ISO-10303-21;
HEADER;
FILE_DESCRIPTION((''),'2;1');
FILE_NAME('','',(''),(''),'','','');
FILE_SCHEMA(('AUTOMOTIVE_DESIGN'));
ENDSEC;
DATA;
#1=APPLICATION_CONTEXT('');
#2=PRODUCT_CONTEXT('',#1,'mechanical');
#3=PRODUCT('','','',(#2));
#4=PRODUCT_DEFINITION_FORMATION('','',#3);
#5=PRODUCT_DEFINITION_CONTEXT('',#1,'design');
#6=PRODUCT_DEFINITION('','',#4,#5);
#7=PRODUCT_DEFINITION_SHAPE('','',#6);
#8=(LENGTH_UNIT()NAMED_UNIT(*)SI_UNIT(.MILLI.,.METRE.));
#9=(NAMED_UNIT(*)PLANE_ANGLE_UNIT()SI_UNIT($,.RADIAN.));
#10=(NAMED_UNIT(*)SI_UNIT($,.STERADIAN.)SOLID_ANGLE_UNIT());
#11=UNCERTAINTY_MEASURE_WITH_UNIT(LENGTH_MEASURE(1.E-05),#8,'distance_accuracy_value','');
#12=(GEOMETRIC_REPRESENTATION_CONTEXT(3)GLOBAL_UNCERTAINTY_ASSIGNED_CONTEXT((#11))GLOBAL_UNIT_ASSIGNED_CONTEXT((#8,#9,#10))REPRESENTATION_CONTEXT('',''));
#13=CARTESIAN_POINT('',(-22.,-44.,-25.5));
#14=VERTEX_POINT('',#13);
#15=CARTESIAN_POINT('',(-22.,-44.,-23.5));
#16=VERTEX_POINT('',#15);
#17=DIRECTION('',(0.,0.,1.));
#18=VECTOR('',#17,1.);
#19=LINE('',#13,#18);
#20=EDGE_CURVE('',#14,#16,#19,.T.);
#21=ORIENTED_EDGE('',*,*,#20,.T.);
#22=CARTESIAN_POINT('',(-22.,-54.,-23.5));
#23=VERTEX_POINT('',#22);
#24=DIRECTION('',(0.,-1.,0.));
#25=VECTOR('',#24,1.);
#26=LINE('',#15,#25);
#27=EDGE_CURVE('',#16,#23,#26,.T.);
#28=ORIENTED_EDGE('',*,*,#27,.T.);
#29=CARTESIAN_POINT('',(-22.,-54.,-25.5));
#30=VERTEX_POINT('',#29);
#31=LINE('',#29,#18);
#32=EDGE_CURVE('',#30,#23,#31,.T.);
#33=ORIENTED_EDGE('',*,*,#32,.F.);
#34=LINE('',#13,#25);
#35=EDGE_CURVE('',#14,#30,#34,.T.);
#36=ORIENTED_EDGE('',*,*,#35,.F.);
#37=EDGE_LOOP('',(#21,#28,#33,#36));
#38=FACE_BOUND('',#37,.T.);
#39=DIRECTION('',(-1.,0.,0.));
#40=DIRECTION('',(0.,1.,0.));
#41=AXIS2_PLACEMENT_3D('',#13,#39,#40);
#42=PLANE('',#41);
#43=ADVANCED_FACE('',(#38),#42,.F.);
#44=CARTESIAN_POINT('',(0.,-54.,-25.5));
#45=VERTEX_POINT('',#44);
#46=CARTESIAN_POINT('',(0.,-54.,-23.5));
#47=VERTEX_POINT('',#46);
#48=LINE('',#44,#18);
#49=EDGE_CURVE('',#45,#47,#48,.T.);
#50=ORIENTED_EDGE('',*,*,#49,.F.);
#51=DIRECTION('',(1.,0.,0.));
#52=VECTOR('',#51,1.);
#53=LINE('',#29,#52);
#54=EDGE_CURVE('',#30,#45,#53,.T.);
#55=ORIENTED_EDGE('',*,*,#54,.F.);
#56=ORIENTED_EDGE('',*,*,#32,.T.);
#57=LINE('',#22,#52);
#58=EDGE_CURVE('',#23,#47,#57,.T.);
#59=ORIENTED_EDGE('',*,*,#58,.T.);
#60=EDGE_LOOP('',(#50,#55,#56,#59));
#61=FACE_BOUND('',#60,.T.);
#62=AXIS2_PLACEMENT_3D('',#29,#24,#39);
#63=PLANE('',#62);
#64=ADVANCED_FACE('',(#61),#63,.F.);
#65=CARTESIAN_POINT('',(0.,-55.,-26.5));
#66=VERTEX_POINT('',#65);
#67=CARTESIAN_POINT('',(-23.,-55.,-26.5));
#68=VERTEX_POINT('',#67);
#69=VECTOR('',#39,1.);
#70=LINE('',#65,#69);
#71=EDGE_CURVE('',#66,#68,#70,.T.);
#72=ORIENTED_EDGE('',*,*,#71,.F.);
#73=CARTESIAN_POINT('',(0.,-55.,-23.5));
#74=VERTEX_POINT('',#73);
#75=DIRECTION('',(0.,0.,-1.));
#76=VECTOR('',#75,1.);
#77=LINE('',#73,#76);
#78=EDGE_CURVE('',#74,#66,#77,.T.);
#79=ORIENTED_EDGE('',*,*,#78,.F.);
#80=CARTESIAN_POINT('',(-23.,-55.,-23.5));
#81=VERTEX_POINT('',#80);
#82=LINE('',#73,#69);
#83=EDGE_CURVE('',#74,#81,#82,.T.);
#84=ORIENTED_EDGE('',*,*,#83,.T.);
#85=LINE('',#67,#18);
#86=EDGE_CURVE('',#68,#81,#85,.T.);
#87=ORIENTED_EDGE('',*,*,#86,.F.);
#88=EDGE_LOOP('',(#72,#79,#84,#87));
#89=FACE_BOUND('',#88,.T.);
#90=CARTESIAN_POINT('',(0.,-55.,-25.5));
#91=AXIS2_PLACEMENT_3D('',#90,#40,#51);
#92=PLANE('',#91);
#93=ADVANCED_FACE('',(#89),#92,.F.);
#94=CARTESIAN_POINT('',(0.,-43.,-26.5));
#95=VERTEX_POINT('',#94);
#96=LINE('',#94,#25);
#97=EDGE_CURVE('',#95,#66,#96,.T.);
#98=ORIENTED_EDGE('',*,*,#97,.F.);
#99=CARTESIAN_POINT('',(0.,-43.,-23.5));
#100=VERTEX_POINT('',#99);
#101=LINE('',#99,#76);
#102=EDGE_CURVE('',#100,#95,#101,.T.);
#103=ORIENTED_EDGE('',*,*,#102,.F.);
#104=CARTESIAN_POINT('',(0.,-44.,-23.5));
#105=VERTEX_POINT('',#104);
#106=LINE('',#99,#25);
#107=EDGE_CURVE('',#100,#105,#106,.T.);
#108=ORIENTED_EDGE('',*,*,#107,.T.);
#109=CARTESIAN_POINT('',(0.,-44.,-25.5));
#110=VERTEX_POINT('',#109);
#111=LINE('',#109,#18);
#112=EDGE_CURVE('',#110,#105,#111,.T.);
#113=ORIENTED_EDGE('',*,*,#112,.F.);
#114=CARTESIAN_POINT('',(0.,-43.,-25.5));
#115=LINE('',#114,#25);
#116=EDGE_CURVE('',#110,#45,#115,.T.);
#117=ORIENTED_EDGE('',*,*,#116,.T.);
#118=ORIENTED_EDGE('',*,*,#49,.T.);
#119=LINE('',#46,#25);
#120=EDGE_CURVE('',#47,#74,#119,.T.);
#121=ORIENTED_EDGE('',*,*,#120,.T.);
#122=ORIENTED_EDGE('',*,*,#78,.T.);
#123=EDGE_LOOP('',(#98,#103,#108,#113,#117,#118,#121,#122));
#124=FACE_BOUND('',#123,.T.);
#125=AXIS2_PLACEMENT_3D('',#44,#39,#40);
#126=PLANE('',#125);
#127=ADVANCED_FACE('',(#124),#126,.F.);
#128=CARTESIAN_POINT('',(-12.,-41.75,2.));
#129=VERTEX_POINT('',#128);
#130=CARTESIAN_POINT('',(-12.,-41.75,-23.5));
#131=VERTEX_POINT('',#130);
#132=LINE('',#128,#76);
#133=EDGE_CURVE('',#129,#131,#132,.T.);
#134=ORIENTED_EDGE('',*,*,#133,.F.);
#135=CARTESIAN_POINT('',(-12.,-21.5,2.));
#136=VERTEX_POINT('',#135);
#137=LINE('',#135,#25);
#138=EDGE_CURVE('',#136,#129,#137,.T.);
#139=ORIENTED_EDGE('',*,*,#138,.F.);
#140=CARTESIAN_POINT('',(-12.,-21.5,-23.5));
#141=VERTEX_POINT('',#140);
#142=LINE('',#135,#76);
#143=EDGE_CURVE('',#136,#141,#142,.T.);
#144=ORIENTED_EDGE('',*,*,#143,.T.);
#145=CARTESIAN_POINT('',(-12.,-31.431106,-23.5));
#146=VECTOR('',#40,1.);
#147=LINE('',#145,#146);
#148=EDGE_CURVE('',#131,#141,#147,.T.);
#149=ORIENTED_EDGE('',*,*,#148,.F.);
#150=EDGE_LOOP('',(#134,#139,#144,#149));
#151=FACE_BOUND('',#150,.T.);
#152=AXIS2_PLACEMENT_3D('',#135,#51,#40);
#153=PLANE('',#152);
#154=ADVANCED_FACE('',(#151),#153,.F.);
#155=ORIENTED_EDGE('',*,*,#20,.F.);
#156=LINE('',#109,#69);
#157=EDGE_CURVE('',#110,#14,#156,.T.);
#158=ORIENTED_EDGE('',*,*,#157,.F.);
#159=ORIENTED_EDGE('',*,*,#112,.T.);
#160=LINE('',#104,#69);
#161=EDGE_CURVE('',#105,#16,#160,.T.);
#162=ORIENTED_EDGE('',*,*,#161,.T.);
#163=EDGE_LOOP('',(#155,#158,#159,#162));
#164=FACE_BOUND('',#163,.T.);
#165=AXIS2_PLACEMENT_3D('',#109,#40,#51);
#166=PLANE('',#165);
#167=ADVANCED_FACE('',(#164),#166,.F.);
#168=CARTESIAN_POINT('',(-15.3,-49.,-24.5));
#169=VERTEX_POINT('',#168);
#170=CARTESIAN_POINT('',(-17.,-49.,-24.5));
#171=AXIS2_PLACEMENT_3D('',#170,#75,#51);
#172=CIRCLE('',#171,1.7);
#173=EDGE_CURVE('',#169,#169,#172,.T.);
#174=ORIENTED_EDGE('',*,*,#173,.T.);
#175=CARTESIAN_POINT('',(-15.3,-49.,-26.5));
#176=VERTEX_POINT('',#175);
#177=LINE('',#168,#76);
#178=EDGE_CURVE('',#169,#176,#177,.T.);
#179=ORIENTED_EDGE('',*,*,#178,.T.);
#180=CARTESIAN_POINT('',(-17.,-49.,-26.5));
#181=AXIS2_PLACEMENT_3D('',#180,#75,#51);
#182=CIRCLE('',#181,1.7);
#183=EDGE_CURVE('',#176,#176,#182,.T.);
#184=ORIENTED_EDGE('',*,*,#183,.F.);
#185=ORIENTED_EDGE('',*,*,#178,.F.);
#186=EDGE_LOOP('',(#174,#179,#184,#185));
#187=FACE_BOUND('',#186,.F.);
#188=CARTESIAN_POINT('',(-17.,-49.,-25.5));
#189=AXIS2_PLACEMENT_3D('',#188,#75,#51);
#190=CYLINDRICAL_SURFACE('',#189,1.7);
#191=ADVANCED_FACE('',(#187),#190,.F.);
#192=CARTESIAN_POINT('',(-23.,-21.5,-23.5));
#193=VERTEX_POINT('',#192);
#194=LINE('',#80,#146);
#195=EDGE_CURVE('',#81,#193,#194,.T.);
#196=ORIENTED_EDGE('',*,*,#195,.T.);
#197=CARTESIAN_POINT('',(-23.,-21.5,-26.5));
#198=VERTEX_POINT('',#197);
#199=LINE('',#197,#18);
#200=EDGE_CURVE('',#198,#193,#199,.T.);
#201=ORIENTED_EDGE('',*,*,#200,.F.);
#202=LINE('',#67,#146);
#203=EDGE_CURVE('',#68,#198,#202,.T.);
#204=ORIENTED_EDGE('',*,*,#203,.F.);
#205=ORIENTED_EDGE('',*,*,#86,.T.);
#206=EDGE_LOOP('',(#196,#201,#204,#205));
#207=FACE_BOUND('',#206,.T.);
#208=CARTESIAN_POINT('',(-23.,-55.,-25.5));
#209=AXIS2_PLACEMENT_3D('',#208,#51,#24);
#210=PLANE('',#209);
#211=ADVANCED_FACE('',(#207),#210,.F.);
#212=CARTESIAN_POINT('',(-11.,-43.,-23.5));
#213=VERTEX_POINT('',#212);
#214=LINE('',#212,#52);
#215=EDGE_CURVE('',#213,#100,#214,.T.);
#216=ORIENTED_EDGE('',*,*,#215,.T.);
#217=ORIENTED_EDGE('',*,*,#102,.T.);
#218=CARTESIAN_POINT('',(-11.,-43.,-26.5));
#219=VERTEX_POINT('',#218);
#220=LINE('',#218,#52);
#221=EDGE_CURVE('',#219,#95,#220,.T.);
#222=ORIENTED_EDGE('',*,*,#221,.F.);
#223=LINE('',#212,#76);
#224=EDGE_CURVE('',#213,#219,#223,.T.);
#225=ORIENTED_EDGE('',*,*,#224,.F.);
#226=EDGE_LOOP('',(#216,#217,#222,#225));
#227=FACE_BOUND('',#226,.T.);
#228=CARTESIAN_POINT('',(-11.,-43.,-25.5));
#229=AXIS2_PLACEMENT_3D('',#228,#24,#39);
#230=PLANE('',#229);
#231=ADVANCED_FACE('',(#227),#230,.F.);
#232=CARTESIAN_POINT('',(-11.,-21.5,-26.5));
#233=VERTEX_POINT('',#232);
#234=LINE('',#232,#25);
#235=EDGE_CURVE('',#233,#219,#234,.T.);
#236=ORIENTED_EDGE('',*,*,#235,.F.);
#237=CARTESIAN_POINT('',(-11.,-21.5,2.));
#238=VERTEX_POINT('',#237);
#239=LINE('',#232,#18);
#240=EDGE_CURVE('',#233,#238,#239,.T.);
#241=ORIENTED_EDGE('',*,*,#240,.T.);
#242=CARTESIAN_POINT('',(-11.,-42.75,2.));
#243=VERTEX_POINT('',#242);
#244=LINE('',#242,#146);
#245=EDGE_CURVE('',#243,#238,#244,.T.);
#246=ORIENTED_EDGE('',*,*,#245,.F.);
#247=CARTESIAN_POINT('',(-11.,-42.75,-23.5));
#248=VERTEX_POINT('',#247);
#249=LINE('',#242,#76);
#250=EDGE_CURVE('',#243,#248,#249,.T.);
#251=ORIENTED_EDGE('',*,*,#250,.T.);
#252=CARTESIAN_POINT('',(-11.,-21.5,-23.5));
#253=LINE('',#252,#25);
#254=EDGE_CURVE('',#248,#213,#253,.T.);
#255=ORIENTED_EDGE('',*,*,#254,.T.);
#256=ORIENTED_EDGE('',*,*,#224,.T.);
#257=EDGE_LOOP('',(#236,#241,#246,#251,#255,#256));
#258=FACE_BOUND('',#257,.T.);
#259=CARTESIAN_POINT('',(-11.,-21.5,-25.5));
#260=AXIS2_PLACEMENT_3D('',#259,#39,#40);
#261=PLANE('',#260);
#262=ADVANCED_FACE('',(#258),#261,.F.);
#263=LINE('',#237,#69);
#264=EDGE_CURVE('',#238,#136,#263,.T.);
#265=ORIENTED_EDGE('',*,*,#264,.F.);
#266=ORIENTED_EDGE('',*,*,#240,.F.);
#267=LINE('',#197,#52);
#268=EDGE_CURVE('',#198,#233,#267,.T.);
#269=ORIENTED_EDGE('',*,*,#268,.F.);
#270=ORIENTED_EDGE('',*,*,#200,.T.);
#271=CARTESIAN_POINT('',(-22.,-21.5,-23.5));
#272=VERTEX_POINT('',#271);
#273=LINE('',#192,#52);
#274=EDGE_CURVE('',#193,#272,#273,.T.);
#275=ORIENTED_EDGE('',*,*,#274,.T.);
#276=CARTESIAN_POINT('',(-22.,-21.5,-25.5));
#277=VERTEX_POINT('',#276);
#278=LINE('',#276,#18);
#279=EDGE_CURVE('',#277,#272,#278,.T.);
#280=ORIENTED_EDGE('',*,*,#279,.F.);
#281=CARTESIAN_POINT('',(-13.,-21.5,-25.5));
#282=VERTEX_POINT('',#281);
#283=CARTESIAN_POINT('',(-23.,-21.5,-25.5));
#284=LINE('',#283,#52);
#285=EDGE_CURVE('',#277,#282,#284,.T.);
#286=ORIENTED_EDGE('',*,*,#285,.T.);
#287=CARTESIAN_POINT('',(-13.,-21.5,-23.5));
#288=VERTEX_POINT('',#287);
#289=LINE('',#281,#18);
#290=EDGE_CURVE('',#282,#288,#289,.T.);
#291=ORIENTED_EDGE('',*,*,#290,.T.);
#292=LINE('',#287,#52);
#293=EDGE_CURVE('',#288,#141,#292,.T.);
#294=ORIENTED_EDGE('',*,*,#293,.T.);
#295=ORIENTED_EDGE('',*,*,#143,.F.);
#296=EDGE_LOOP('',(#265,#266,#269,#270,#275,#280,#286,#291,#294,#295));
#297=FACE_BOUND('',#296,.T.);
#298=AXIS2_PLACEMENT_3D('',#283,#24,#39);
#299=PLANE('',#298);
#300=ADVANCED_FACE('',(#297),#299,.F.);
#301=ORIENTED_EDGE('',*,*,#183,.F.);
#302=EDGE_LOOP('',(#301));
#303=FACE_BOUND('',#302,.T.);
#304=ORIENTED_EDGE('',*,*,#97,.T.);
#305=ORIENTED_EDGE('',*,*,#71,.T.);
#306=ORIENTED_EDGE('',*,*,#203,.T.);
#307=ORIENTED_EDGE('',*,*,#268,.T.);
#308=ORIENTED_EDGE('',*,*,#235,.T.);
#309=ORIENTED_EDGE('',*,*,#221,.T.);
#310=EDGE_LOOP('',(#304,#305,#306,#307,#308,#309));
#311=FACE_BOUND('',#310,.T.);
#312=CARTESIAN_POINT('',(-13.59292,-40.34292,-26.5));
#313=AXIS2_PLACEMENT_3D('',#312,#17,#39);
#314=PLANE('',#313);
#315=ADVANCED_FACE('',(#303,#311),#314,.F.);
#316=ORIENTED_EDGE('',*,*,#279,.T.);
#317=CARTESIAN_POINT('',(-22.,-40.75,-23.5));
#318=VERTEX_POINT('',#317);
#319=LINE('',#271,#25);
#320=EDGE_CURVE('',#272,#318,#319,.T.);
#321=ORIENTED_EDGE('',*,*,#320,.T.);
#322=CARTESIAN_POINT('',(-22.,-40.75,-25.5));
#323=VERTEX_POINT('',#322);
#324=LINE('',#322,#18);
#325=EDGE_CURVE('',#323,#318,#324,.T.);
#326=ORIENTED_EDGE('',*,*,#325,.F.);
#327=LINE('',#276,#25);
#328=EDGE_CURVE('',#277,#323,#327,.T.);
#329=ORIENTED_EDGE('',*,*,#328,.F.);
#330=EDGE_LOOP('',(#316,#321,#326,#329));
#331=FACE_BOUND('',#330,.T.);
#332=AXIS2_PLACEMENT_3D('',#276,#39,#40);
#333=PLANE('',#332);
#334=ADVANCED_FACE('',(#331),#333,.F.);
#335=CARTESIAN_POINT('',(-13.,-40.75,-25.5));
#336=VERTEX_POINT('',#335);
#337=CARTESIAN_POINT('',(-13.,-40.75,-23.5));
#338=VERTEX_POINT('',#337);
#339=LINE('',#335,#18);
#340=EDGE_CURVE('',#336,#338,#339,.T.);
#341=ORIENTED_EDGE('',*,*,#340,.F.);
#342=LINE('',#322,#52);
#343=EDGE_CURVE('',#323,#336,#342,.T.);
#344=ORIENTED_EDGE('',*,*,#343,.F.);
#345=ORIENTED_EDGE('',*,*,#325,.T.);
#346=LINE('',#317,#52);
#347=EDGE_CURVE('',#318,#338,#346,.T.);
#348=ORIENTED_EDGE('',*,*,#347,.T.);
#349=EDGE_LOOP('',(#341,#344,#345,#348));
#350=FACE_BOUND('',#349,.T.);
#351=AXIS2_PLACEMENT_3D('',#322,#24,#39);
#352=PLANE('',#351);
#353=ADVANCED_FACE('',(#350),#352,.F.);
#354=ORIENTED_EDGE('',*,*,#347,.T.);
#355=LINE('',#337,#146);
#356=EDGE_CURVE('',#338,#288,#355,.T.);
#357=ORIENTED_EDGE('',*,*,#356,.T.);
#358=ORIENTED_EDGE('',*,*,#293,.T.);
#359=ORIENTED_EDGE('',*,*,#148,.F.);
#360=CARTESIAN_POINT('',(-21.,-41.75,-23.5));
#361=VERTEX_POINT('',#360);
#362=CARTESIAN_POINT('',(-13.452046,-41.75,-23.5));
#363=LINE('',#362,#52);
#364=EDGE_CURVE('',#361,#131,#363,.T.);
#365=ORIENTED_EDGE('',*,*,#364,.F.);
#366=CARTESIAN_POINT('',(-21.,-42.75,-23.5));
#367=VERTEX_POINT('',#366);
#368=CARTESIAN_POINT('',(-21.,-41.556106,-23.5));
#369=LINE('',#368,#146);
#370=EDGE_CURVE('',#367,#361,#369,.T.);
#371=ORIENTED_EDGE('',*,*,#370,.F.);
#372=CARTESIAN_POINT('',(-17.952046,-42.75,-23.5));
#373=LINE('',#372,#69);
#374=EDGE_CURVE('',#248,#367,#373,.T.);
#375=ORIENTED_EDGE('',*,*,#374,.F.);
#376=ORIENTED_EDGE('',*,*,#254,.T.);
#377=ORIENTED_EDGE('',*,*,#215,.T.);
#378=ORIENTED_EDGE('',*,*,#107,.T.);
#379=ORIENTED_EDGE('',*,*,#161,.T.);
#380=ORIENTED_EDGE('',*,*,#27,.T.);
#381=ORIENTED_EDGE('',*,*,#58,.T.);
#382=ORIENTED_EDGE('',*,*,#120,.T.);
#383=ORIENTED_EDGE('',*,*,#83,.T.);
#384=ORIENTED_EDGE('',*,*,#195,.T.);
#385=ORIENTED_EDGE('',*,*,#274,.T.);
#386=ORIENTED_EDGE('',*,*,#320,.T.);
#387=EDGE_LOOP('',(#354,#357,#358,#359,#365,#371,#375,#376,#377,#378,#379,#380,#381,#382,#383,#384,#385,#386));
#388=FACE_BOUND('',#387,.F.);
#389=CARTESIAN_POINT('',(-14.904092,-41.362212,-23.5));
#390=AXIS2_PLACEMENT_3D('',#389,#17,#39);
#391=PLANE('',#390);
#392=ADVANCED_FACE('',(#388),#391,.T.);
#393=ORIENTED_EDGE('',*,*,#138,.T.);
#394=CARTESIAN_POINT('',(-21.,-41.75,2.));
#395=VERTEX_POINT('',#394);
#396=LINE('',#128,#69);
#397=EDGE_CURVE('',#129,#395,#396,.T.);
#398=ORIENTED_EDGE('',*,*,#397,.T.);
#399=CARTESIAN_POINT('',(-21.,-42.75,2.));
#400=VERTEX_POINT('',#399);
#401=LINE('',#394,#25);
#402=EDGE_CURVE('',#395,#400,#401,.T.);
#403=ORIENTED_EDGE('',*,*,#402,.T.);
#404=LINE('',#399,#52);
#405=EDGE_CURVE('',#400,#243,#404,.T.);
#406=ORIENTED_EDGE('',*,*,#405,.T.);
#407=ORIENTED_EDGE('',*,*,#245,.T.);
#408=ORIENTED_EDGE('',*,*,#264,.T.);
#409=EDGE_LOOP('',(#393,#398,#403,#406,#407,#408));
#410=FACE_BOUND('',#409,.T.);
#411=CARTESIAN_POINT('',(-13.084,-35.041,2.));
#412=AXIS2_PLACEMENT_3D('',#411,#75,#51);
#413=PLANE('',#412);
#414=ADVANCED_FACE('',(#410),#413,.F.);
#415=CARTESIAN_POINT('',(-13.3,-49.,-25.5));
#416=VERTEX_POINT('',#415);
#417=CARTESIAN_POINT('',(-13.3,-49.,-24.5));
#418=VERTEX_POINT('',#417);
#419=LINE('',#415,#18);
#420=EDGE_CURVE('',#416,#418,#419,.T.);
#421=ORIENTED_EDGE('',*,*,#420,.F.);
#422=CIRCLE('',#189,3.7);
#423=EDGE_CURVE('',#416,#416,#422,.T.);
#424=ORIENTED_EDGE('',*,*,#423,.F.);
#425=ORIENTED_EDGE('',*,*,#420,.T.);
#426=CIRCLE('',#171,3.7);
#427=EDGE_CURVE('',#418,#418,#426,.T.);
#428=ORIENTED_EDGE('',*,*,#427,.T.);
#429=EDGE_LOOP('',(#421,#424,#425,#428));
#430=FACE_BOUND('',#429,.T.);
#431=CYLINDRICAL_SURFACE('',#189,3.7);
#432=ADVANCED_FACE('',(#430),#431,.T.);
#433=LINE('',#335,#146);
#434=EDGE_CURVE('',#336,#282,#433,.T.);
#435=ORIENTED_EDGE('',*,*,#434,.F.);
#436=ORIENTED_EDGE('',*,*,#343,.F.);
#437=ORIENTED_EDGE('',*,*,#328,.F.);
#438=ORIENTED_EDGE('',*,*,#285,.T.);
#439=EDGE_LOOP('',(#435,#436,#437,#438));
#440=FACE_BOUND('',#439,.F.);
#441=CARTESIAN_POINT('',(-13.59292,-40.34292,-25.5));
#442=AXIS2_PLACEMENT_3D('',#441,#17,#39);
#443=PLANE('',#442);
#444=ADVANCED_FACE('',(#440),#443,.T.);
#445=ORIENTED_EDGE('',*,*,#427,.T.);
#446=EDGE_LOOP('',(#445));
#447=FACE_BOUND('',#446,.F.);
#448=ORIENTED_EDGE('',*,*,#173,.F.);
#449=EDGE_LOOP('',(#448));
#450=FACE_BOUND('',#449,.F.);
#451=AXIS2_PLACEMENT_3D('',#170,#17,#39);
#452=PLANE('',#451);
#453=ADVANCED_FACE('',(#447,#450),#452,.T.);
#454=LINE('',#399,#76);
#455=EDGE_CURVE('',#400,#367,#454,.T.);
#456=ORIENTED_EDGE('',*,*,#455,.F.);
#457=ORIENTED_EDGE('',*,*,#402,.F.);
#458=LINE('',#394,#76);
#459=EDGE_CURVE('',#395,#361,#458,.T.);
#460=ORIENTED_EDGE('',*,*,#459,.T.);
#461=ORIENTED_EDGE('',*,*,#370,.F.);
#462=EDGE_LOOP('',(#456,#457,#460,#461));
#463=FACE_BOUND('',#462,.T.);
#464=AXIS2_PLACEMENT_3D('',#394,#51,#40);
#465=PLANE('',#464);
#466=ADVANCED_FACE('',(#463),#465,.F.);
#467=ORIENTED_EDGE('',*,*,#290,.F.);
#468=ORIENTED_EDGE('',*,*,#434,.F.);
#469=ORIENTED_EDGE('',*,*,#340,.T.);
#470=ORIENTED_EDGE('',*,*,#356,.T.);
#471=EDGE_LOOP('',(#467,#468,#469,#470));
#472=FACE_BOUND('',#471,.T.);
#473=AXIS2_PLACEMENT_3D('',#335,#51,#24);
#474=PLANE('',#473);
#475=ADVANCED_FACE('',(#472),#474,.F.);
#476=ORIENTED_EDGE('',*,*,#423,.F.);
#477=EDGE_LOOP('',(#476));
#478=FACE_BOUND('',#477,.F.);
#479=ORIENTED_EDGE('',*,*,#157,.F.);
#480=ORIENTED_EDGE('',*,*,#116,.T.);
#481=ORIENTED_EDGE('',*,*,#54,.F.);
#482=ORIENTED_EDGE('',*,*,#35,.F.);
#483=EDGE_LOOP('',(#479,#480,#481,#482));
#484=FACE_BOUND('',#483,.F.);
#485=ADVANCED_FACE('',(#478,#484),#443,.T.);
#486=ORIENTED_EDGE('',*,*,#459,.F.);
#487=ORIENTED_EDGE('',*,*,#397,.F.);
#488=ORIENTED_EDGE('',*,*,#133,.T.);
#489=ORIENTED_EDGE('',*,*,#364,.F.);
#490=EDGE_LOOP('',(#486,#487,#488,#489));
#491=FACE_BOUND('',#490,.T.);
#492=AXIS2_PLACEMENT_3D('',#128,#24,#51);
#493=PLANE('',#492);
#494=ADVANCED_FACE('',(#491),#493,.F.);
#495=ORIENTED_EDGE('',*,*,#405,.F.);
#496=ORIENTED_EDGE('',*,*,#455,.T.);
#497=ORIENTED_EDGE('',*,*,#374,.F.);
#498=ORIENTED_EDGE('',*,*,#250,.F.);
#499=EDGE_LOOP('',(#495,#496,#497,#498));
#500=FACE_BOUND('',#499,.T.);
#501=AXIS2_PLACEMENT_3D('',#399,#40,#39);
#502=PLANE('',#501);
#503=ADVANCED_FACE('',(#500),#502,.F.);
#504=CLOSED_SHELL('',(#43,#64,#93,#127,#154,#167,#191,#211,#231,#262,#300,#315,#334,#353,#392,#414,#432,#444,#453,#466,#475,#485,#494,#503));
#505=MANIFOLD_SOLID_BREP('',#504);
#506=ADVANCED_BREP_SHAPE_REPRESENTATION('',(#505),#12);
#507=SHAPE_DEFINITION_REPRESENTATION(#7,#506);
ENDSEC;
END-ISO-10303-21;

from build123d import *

# Parameters (mm, degrees)
SKETCH006_R      = 1.7
EXTRUDE004_DEPTH = 1
EXTRUDE005_DEPTH = 2
SKETCH017_R      = 3.7
SKETCH017_R_2    = 1.7
EXTRUDE014_DEPTH = 1
EXTRUDE003_DEPTH = 27.5


with BuildPart() as extrude004:
    # Sketch006 → Extrude004 (new body)
    with BuildSketch(Plane.XY.offset(10)):
        Polygon((-11, 0), (0, 0), (0, 12), (-23, 12), (-23, -21.5), (-11, -21.5), align=None)
        with Locations((-17, 6)):
            Circle(SKETCH006_R, mode=Mode.SUBTRACT)
    extrude(amount=EXTRUDE004_DEPTH)


with BuildPart() as extrude004_1:
    # Extrude004 placement: moved
    add(extrude004.part.moved(Location((0, 0, -36.5))))


with BuildPart() as extrude005:
    # Sketch007 → Extrude005 (new body)
    with BuildSketch(Plane.XY.offset(10)):
        Polygon((0, 12), (-23, 12), (-23, -21.5), (-22, -21.5), (-22, -2.25), (-13, -2.25), (-13, -21.5), (-11, -21.5), (-11, 0), (0, 0), (0, 1), (-22, 1), (-22, 11), (0, 11), align=None)
    extrude(amount=EXTRUDE005_DEPTH)


with BuildPart() as extrude005_1:
    # Extrude005 placement: moved
    add(extrude005.part.moved(Location((0, 0, -35.5))))


with BuildPart() as extrude014:
    # Sketch017 → Extrude014 (new body)
    with BuildSketch(Plane.XY.offset(10)):
        with Locations((-17, 6)):
            Circle(SKETCH017_R)
        with Locations((-17, 6)):
            Circle(SKETCH017_R_2, mode=Mode.SUBTRACT)
    extrude(amount=EXTRUDE014_DEPTH)


with BuildPart() as extrude014_1:
    # Extrude014 placement: moved
    add(extrude014.part.moved(Location((0, 0, -35.5))))


with BuildPart() as body006:
    # Sketch003 → Extrude003 (new body)
    with BuildSketch(Plane.XY):
        Polygon((-21, -0.25), (-11, -0.25), (-11, -21.5), (-12, -21.5), (-12, -1.25), (-21, -1.25), align=None)
    extrude(amount=-EXTRUDE003_DEPTH)


with BuildPart() as body006_1:
    # Extrude003 placement: moved
    add(body006.part.moved(Location((0, 0, 2))))

    # Fusion013: union Extrude004, Extrude005, Extrude014
    add(extrude004_1.part)
    add(extrude005_1.part)
    add(extrude014_1.part)


with BuildPart() as part_mirroring007:
    # Part__Mirroring007: instance of Body006
    add(body006_1.part.mirror(Plane(origin=(0, -21.5, 0), x_dir=(1, 0, 0), z_dir=(0, 1, 0))))


solid = part_mirroring007.part
